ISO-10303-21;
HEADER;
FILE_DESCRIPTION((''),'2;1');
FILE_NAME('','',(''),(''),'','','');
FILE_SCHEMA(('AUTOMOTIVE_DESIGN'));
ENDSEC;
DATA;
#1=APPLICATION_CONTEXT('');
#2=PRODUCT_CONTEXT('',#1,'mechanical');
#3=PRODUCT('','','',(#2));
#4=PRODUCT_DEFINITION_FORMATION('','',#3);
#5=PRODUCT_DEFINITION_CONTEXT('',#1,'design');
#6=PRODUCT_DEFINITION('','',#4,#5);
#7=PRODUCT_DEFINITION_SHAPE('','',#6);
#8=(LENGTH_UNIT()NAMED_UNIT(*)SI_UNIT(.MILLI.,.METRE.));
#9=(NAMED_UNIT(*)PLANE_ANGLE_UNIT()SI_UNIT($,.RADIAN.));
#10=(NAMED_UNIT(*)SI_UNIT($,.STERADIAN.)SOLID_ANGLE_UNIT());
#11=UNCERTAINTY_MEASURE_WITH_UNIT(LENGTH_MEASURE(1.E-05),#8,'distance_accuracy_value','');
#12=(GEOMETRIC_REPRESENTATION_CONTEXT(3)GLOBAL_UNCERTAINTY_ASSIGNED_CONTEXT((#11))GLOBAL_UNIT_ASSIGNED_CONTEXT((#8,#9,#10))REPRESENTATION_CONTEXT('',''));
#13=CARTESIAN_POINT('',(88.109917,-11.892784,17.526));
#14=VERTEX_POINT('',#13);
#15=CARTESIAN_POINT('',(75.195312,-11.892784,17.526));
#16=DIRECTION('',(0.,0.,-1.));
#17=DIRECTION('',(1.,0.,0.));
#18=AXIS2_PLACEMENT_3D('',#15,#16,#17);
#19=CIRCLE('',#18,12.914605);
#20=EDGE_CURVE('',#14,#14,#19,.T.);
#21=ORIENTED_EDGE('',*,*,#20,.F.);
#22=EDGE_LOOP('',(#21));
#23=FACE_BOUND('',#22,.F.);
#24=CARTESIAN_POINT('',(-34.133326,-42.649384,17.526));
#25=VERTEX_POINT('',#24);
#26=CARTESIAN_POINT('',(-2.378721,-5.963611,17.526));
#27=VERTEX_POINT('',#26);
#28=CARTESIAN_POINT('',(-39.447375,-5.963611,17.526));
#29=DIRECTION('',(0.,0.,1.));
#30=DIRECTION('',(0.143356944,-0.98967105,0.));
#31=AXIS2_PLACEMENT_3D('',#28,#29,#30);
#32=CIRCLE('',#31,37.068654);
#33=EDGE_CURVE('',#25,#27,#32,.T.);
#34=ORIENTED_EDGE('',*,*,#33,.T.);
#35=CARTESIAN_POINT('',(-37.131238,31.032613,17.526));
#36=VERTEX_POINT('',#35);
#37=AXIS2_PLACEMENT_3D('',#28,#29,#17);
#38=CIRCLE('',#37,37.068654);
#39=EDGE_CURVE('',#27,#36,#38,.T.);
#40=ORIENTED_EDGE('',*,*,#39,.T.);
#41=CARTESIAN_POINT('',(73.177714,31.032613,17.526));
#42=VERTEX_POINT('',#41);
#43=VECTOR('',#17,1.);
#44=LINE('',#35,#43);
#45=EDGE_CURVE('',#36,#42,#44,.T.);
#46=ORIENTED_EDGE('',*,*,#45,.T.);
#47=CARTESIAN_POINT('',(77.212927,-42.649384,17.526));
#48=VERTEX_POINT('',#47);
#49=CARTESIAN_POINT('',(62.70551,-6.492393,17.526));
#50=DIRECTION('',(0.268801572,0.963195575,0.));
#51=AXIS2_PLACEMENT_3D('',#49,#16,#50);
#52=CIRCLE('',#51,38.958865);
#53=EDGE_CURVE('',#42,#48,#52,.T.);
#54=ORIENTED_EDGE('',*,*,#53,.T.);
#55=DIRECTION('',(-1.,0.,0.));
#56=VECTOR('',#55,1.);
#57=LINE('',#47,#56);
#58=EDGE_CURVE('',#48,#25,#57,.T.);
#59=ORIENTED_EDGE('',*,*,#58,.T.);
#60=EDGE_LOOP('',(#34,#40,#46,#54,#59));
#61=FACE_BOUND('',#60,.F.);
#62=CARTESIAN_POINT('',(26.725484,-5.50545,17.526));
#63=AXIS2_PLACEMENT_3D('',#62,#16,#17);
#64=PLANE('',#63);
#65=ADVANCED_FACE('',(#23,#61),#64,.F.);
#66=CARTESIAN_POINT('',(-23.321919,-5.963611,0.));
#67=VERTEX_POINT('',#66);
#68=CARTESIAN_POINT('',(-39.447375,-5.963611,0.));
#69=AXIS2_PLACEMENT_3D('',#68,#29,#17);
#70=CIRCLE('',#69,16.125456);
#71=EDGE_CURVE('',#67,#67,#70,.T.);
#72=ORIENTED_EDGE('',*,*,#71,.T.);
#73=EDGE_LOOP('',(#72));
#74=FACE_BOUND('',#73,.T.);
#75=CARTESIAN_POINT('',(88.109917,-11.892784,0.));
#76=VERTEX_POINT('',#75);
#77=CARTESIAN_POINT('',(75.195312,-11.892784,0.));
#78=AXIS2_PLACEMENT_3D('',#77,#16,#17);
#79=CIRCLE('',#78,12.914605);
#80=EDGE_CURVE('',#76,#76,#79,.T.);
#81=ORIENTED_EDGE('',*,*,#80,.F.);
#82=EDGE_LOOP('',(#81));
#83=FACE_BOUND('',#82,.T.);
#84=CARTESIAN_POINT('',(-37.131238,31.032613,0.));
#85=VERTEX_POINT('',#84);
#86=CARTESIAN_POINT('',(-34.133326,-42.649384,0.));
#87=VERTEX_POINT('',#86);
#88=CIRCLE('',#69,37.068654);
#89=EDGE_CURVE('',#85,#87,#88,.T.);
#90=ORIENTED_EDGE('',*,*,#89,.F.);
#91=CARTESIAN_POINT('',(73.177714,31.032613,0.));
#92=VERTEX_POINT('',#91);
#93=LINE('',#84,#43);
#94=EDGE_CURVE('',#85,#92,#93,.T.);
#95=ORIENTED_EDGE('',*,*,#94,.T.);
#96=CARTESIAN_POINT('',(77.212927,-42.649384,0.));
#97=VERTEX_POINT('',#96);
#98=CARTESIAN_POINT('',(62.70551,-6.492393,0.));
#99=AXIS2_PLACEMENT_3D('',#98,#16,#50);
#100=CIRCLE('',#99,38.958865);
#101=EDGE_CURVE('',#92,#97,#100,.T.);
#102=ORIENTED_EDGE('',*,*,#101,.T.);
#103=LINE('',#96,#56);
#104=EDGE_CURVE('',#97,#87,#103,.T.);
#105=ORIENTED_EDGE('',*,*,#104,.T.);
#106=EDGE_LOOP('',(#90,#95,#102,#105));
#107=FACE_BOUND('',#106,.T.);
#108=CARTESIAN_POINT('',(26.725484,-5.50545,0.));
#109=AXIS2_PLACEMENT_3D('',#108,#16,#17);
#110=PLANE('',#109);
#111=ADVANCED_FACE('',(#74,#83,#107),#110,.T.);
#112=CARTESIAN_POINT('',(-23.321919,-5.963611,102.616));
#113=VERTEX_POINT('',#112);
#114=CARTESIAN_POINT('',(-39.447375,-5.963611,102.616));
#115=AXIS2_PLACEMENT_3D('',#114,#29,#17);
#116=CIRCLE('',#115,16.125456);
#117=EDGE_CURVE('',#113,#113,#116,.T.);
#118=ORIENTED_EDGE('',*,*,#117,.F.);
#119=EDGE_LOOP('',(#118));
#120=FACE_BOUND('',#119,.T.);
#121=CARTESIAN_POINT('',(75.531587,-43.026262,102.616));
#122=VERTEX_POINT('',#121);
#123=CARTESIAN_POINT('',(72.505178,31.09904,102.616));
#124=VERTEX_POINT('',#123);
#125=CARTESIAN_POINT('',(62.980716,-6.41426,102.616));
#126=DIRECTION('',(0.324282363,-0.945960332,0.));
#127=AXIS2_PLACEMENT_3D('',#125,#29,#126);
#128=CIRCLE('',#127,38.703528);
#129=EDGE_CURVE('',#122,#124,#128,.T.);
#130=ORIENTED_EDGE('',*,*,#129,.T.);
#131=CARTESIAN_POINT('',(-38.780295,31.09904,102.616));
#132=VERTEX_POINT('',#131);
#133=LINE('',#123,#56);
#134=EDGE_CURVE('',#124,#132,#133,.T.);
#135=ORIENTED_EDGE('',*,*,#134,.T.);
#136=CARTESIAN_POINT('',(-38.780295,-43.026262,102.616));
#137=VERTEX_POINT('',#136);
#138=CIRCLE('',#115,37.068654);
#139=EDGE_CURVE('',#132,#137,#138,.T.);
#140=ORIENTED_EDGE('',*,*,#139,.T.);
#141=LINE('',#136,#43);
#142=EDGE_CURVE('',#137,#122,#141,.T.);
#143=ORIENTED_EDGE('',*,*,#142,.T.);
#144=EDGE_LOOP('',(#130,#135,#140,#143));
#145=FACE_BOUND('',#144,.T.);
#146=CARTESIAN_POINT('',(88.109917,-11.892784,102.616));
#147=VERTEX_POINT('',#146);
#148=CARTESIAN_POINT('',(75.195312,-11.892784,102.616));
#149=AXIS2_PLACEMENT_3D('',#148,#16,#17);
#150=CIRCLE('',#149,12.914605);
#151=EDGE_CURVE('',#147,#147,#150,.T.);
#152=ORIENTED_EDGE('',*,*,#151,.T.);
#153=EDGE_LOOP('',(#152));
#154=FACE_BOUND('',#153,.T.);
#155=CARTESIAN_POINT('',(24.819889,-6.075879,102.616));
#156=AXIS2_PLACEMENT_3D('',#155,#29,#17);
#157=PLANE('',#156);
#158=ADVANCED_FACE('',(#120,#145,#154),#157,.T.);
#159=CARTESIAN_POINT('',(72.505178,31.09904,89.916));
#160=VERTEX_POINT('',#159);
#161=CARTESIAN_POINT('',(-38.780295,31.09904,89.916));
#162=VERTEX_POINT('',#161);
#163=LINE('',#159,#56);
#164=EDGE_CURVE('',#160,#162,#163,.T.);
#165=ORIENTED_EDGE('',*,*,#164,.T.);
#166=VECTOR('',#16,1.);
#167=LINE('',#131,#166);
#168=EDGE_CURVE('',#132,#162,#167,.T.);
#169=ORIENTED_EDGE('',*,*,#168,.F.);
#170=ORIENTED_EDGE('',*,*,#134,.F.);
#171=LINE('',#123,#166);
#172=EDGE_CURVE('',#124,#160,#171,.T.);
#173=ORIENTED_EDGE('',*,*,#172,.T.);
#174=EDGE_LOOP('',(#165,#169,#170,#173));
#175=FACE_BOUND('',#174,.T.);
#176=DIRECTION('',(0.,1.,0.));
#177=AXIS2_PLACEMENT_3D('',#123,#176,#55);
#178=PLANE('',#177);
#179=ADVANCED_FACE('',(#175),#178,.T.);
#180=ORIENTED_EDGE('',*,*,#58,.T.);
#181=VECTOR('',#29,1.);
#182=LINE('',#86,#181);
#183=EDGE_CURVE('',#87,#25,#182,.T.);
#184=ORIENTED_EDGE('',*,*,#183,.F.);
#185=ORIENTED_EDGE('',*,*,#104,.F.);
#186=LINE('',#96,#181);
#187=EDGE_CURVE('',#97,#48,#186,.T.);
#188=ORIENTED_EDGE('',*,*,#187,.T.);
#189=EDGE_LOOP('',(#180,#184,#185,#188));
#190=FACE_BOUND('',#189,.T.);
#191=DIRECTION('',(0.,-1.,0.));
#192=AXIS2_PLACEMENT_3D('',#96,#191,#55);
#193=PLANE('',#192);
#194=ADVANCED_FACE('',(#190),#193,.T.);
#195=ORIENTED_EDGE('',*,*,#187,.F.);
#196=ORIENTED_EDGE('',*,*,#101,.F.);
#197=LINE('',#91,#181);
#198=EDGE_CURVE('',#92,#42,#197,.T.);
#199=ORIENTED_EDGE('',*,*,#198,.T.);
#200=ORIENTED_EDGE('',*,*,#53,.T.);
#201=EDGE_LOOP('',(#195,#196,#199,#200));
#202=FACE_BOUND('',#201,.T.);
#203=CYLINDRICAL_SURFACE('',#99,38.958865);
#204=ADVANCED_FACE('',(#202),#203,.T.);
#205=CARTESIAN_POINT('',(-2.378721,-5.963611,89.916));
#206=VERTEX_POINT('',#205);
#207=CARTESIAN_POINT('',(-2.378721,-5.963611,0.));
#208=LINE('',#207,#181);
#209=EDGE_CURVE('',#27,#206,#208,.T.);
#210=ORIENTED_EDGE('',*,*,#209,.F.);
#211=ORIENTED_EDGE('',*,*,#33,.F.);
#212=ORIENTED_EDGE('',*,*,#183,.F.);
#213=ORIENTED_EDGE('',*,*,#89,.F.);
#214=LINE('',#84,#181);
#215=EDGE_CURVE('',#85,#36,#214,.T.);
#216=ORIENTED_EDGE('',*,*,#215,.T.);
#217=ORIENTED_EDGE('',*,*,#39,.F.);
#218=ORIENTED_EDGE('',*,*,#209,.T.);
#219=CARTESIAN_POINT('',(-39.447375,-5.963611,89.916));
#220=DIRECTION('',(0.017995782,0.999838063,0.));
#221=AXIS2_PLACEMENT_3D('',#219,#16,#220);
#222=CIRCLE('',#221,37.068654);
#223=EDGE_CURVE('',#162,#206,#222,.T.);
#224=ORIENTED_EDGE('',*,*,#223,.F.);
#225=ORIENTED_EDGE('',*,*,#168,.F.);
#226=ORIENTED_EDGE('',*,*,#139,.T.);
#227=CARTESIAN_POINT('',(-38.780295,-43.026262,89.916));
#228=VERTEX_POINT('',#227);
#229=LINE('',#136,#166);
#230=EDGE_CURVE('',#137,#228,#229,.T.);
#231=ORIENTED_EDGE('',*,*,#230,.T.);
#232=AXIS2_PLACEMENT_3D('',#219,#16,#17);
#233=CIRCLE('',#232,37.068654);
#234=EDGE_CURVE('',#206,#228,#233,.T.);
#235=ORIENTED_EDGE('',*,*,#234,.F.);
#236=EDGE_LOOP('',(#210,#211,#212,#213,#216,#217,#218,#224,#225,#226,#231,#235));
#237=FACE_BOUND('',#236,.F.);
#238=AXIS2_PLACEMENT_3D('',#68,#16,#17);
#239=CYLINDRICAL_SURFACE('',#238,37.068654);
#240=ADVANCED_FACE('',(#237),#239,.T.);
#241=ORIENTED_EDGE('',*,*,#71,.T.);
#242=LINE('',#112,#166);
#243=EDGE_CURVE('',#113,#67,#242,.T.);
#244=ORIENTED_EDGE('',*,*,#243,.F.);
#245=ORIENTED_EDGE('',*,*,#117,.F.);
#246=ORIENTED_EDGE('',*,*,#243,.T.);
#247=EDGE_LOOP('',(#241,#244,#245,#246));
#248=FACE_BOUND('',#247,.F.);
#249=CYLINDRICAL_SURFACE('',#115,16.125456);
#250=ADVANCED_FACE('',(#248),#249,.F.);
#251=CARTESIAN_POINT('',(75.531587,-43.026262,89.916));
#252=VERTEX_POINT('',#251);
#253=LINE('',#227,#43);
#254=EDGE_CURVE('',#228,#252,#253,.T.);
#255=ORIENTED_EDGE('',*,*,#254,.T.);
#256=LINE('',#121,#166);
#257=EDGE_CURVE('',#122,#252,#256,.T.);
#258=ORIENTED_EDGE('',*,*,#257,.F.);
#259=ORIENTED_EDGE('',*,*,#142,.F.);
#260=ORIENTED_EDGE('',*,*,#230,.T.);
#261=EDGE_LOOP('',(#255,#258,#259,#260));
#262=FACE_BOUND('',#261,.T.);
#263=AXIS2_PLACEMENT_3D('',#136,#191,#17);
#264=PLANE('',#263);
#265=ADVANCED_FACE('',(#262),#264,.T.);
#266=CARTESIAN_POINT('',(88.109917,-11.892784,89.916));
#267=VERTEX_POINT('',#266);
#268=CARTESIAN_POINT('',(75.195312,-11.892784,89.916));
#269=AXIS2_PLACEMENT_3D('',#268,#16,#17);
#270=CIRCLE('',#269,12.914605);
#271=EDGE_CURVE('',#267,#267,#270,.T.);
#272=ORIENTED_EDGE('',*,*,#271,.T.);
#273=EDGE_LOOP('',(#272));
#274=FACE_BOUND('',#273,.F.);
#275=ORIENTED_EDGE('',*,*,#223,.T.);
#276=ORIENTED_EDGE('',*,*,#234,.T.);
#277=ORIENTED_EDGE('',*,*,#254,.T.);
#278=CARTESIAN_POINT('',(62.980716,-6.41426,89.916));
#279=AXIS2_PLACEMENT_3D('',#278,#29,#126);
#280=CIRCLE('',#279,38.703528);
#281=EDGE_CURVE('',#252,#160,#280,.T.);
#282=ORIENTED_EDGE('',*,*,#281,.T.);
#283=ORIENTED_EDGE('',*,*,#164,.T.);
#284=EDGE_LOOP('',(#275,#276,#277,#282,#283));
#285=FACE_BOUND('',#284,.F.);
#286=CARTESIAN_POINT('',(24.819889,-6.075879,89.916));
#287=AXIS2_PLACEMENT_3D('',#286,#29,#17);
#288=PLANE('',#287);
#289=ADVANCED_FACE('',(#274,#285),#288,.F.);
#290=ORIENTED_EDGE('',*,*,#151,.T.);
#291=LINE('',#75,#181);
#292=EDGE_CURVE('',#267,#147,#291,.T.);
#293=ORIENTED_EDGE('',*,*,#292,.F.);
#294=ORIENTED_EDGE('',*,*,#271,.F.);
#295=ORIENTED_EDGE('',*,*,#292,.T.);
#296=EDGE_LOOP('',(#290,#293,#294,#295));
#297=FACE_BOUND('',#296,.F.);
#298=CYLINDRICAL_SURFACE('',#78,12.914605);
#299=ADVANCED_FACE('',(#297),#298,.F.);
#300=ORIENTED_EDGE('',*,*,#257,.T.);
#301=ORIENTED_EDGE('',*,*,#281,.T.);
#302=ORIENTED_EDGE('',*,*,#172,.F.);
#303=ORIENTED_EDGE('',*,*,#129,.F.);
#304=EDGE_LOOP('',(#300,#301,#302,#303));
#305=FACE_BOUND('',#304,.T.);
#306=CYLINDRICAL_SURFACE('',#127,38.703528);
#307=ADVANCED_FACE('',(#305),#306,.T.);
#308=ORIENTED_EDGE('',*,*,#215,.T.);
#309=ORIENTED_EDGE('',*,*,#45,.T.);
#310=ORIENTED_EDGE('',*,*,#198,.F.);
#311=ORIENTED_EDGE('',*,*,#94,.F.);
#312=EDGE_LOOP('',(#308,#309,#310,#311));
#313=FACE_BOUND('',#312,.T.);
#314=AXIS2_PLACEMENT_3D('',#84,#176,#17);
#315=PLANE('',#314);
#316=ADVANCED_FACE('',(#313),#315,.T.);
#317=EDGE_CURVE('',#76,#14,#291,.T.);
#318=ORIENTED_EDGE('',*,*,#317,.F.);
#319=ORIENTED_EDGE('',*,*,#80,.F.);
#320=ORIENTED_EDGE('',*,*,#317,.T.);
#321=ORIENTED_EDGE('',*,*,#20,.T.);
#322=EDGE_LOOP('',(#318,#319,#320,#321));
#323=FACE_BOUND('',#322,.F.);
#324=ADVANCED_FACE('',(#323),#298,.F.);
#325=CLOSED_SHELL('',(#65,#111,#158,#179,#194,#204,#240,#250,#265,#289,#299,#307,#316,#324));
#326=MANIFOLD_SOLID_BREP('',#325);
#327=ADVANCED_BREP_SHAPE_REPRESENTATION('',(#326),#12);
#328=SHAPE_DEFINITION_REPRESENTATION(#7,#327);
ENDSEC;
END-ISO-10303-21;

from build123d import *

# Parameters (mm, degrees)
F0_R     = 37.0686538278
F1_DEPTH = 102.616
F2_R     = 16.1254555479
F3_DEPTH = 147.828
F5_DEPTH = 12.7
F7_DEPTH = 17.526
F8_R     = 12.9146046276
F9_DEPTH = 296.926


with BuildPart() as f1:
    # F0 (on Top) → F1 (new body)
    with BuildSketch(Plane.XY):
        with Locations((-39.4473746419, -5.9636109509)):
            Circle(F0_R)
    extrude(amount=F1_DEPTH)

    # F2 (on face) → F3 (cut)
    with BuildSketch(Plane.XY.offset(102.616)):
        with Locations((-39.4473746419, -5.9636109509)):
            Circle(F2_R)
    extrude(amount=-F3_DEPTH, mode=Mode.SUBTRACT)

    # F4 (on face) → F5 (join)
    with BuildSketch(Plane.XY.offset(102.616)):
        with BuildLine():
            Line((72.5051784355, 31.0990400833), (-38.7802952426, 31.0990400833))
            ThreePointArc((-38.7802952426, 31.0990400833), (-13.0010815941, 20.0109666326), (-2.3787208141, -5.9636109509))
            ThreePointArc((-2.3787208141, -5.9636109509), (-13.0010815941, -31.9381885343), (-38.7802952426, -43.026261985))
            Line((-38.7802952426, -43.026261985), (75.5315870047, -43.026261985))
            ThreePointArc((75.5315870047, -43.026261985), (101.6520252983, -4.8353768612), (72.5051784355, 31.0990400833))
        make_face()
    extrude(amount=-F5_DEPTH)

    # F6 (on face) → F7 (join)
    with BuildSketch(Plane(origin=(0, 0, 0), x_dir=(1, 0, 0), z_dir=(0, 0, -1))):
        with BuildLine():
            Line((77.2129268269, 42.6493844966), (-34.133325719, 42.6493844966))
            ThreePointArc((-34.133325719, 42.6493844966), (-11.4199796813, 30.2236651208), (-2.3787208141, 5.9636109509))
            ThreePointArc((-2.3787208141, 5.9636109509), (-12.4294067676, -19.4158001643), (-37.1312376734, -31.0326132639))
            Line((-37.1312376734, -31.0326132639), (73.1777138929, -31.0326132639))
            ThreePointArc((73.1777138929, -31.0326132639), (101.6060825642, 4.3619936552), (77.2129268269, 42.6493844966))
        make_face()
    extrude(amount=-F7_DEPTH)

    # F8 (on face) → F9 (cut)
    with BuildSketch(Plane(origin=(0, 0, 0), x_dir=(1, 0, 0), z_dir=(0, 0, -1))):
        with Locations((75.1953125, 11.8927843869)):
            Circle(F8_R)
    extrude(amount=-F9_DEPTH, mode=Mode.SUBTRACT)


solid = f1.part
